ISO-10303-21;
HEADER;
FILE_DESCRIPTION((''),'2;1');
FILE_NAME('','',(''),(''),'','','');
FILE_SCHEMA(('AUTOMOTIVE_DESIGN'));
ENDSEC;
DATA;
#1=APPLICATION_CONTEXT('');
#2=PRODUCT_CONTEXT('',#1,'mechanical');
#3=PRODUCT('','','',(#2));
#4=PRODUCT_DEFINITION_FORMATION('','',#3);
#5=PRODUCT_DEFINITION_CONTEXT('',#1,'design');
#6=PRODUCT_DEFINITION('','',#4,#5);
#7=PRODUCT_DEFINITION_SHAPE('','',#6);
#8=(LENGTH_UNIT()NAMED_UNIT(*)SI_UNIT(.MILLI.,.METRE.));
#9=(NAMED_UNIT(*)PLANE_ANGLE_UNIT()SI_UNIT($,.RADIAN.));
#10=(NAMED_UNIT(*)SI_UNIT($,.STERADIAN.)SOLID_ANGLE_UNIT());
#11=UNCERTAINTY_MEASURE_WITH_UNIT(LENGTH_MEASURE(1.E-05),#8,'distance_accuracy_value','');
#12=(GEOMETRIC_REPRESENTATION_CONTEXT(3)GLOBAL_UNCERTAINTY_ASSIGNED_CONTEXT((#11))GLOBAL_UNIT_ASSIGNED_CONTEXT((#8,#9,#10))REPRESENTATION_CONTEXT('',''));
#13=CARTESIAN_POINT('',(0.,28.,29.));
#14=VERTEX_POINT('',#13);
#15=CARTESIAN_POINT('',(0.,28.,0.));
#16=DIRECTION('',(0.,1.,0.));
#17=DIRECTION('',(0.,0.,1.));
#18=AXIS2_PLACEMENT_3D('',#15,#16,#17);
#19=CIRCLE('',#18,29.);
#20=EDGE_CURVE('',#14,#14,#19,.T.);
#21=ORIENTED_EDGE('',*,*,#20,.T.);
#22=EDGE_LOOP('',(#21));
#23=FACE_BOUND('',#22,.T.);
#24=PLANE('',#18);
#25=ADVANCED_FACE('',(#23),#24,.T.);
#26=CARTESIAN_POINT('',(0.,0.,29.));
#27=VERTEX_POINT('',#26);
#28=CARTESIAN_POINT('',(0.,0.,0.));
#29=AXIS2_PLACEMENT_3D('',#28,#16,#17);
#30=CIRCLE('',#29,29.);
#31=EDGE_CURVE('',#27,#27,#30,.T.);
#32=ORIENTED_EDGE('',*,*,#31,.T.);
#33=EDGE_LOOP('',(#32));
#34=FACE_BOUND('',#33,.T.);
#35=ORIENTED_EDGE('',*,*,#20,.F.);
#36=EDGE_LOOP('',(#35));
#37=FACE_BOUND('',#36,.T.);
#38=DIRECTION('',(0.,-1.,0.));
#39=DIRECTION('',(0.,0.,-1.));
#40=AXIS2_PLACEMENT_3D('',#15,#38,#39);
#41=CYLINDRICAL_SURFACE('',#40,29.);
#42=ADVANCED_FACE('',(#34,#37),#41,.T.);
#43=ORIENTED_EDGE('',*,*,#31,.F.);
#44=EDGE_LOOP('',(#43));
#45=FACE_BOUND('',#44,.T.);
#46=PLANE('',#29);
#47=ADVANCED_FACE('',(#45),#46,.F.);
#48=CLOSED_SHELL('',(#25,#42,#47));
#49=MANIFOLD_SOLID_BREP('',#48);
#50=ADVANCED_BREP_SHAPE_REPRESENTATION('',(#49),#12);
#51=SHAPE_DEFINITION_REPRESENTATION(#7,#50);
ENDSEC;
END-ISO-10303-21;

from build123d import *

# Parameters (mm, degrees)
SKETCH_1_R      = 29
EXTRUDE_1_DEPTH = 28


with BuildPart() as part:
    # 草图1 → 凸台-拉伸1 (new body)
    with BuildSketch(Plane(origin=(0, 0, 0), x_dir=(1, 0, 0), z_dir=(0, 1, 0))):
        Circle(SKETCH_1_R)
    extrude(amount=EXTRUDE_1_DEPTH)


solid = part.part
